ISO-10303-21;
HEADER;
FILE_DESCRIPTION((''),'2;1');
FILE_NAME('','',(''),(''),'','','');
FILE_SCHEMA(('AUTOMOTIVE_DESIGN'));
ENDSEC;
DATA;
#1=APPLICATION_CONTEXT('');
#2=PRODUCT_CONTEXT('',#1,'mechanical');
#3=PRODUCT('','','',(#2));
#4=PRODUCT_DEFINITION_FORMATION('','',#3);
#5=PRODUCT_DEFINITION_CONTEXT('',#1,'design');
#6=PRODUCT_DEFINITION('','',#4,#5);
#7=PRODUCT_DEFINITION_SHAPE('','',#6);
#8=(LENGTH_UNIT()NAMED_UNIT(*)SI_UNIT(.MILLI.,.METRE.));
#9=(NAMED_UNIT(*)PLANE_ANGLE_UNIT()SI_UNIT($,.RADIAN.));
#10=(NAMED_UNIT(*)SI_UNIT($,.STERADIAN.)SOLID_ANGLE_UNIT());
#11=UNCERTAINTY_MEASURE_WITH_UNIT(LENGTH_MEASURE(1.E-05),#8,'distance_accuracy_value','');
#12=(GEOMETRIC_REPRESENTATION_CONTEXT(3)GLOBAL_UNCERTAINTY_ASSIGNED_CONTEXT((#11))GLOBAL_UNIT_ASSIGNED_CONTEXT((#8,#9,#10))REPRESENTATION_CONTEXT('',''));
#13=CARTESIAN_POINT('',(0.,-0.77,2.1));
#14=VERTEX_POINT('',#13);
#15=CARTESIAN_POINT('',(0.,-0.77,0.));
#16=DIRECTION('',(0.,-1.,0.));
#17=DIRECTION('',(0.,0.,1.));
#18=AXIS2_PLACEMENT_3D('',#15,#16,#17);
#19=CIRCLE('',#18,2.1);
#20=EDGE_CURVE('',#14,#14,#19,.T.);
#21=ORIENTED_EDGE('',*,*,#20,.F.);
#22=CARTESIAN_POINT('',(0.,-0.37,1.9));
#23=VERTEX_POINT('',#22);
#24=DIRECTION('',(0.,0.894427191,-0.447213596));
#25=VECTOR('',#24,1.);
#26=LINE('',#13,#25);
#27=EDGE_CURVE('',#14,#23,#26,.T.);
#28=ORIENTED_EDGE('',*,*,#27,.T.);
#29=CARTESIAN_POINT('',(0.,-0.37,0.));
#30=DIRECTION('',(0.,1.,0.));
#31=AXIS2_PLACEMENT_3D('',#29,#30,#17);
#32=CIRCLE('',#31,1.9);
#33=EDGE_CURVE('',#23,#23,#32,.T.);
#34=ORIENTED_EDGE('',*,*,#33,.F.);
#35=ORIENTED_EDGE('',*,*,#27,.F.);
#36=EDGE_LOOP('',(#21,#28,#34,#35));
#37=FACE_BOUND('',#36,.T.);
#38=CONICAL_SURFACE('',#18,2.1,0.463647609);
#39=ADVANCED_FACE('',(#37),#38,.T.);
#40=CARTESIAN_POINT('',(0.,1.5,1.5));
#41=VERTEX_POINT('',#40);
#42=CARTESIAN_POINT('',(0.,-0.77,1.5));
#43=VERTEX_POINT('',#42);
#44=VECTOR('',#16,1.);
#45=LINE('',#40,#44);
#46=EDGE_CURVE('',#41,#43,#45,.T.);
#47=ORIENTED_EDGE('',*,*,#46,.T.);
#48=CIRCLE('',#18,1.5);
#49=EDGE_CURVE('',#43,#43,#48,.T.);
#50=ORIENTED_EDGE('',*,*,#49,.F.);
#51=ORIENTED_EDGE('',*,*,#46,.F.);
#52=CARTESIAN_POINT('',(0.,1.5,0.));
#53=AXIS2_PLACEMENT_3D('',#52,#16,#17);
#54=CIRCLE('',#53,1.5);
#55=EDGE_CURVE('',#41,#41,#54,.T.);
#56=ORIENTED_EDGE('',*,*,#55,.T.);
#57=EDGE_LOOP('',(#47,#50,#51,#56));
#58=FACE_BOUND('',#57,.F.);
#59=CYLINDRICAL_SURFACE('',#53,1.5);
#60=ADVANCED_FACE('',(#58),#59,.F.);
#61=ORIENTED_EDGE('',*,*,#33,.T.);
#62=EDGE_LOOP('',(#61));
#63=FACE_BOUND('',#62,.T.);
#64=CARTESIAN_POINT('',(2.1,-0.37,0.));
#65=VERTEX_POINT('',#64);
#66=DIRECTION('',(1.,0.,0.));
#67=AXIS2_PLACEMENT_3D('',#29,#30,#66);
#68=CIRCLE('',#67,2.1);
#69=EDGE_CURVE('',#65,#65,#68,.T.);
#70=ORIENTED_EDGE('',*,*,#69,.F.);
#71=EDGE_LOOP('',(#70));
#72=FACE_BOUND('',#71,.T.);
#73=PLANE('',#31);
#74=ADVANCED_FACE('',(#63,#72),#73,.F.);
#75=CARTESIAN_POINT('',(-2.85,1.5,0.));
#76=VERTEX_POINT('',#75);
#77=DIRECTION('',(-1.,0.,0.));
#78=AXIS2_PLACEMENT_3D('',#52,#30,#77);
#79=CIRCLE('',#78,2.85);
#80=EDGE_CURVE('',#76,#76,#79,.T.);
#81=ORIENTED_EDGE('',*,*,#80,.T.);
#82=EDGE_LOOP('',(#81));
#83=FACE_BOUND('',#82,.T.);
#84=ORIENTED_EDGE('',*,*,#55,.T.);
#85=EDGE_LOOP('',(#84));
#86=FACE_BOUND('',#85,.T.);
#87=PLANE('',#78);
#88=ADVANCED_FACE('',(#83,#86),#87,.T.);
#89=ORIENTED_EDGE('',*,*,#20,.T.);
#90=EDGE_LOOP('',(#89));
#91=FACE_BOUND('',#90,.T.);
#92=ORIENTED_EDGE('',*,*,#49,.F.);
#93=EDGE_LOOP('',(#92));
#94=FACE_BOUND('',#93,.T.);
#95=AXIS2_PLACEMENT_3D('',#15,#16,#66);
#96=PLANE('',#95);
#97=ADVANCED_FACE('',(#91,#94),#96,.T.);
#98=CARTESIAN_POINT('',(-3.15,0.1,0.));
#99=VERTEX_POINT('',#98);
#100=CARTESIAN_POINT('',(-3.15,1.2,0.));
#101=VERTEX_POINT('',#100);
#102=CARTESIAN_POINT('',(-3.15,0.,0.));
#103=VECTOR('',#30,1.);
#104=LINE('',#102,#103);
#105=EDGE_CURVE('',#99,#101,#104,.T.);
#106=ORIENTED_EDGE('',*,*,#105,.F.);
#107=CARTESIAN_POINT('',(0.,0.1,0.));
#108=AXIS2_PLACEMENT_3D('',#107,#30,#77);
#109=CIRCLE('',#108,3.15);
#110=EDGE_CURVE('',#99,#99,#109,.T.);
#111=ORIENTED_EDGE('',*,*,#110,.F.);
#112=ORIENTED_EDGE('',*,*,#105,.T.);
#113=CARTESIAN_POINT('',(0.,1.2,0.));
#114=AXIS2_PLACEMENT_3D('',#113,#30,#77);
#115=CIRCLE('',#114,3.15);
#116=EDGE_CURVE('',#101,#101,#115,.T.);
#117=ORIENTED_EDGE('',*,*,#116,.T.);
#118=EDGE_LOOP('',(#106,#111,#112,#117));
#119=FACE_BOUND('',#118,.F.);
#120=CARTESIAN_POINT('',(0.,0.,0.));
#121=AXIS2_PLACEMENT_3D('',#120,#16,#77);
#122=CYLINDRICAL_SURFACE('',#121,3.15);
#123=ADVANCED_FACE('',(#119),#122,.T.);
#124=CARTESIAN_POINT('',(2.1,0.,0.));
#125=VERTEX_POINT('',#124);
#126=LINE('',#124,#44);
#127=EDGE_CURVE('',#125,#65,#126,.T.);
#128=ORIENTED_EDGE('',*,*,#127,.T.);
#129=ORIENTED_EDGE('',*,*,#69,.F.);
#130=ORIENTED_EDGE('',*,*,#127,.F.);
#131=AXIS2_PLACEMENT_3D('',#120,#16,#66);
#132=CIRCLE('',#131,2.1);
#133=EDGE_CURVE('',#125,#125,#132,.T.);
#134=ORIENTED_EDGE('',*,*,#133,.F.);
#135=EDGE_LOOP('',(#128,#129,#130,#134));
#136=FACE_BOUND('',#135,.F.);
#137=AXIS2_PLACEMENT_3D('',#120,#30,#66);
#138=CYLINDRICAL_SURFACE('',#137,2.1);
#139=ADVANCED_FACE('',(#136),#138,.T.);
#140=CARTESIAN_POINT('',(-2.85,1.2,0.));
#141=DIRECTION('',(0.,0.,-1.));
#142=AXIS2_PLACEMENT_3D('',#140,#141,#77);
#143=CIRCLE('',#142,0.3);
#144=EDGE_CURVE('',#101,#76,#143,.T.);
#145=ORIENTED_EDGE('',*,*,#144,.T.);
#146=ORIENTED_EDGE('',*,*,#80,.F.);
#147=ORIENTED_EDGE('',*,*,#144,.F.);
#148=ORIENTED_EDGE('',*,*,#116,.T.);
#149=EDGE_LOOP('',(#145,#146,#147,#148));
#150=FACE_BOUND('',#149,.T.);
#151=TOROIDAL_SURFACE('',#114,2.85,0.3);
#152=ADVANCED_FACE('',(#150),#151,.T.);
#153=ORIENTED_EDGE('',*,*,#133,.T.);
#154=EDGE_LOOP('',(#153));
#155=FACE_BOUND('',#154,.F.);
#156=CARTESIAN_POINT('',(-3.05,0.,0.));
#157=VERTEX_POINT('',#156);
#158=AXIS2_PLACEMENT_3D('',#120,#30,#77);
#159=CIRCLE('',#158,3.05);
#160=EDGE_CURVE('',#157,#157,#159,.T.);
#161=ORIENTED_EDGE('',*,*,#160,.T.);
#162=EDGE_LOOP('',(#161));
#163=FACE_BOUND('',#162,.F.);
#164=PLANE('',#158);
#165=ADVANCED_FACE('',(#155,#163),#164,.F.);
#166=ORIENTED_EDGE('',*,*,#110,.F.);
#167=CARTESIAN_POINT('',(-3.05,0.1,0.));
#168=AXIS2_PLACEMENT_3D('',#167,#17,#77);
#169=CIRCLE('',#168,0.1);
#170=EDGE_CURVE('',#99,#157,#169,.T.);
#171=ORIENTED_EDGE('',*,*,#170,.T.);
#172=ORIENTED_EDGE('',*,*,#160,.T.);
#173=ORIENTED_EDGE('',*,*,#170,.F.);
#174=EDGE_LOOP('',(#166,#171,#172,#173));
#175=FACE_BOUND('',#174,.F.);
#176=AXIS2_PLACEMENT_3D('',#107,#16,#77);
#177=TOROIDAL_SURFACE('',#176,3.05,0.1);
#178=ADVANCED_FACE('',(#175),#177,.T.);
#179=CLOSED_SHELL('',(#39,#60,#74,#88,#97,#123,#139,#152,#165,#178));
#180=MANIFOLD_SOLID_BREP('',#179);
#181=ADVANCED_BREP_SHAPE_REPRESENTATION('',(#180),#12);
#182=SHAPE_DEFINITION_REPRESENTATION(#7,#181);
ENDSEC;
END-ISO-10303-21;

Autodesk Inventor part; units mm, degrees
ref_plane "YZ Plane" through (0, 0, 0) normal (1, 0, 0) x (0, 1, 0)
ref_plane "XZ Plane" through (0, 0, 0) normal (0, 1, 0) x (-1, 0, 0)
ref_plane "XY Plane" through (0, 0, 0) normal (0, 0, 1) x (1, 0, 0)
sketch "スケッチ1" plane through (0, 0, 0) normal (0, 1, 0) x (-1, 0, 0)
  circle A0 centre (0, 0) radius 3.15
  dimension "d0" = 6.3
extrude "押し出し1" add sketch "スケッチ1" along normal blind 1.5
sketch "スケッチ2" plane through (0, 0, 0) normal (0, -1, 0) x (1, 0, 0)
  circle A0 centre (0, 0) radius 2.1
  dimension "d3" = 4.2
extrude "押し出し2" add sketch "スケッチ2" along normal blind 0.77
sketch "スケッチ3" plane through (0, 1.5, 0) normal (0, 1, 0) x (1, 0, 0)
  point P0 (0, 0)
  point P1 (0, 0)
hole "穴1" at (0, 1.5, 0) direction (0, -1, 0) diameter 3 end through all
thread "ねじ1" size "M3x0.5" class "6H" standard "ANSI Metric M Profile" full length
fillet "フィレット1" radius 0.3 1 edges at (3.15, 1.5, 0)
fillet "フィレット1" radius 0.1 1 edges at (3.15, 0, 0)
sketch "スケッチ4" plane through (0, 0, 0) normal (1, 0, 0) x (0, 1, 0)
  line L0 (-0.77, 2.1) -> (-0.77, -2.1) projected
  line L1 (-0.77, 2.1) -> (-0.37, 1.9)
  line L2 (-0.37, 1.9) -> (-0.37, 2.1)
  line L3 (-0.37, 2.1) -> (-0.77, 2.1)
  line L4 (-1.956, 0) -> (2.076, 0) projected
  point P0 (0, 0)
  dimension "d17" = 0.4
  dimension "d18" = 0.2
revolve "回転1" cut sketch "スケッチ4" angle 360 about axis through (0, -10, 0) along (0, 1, 0)
properties part number "ClinchingNut_M3T1.5_Slab0.8"
